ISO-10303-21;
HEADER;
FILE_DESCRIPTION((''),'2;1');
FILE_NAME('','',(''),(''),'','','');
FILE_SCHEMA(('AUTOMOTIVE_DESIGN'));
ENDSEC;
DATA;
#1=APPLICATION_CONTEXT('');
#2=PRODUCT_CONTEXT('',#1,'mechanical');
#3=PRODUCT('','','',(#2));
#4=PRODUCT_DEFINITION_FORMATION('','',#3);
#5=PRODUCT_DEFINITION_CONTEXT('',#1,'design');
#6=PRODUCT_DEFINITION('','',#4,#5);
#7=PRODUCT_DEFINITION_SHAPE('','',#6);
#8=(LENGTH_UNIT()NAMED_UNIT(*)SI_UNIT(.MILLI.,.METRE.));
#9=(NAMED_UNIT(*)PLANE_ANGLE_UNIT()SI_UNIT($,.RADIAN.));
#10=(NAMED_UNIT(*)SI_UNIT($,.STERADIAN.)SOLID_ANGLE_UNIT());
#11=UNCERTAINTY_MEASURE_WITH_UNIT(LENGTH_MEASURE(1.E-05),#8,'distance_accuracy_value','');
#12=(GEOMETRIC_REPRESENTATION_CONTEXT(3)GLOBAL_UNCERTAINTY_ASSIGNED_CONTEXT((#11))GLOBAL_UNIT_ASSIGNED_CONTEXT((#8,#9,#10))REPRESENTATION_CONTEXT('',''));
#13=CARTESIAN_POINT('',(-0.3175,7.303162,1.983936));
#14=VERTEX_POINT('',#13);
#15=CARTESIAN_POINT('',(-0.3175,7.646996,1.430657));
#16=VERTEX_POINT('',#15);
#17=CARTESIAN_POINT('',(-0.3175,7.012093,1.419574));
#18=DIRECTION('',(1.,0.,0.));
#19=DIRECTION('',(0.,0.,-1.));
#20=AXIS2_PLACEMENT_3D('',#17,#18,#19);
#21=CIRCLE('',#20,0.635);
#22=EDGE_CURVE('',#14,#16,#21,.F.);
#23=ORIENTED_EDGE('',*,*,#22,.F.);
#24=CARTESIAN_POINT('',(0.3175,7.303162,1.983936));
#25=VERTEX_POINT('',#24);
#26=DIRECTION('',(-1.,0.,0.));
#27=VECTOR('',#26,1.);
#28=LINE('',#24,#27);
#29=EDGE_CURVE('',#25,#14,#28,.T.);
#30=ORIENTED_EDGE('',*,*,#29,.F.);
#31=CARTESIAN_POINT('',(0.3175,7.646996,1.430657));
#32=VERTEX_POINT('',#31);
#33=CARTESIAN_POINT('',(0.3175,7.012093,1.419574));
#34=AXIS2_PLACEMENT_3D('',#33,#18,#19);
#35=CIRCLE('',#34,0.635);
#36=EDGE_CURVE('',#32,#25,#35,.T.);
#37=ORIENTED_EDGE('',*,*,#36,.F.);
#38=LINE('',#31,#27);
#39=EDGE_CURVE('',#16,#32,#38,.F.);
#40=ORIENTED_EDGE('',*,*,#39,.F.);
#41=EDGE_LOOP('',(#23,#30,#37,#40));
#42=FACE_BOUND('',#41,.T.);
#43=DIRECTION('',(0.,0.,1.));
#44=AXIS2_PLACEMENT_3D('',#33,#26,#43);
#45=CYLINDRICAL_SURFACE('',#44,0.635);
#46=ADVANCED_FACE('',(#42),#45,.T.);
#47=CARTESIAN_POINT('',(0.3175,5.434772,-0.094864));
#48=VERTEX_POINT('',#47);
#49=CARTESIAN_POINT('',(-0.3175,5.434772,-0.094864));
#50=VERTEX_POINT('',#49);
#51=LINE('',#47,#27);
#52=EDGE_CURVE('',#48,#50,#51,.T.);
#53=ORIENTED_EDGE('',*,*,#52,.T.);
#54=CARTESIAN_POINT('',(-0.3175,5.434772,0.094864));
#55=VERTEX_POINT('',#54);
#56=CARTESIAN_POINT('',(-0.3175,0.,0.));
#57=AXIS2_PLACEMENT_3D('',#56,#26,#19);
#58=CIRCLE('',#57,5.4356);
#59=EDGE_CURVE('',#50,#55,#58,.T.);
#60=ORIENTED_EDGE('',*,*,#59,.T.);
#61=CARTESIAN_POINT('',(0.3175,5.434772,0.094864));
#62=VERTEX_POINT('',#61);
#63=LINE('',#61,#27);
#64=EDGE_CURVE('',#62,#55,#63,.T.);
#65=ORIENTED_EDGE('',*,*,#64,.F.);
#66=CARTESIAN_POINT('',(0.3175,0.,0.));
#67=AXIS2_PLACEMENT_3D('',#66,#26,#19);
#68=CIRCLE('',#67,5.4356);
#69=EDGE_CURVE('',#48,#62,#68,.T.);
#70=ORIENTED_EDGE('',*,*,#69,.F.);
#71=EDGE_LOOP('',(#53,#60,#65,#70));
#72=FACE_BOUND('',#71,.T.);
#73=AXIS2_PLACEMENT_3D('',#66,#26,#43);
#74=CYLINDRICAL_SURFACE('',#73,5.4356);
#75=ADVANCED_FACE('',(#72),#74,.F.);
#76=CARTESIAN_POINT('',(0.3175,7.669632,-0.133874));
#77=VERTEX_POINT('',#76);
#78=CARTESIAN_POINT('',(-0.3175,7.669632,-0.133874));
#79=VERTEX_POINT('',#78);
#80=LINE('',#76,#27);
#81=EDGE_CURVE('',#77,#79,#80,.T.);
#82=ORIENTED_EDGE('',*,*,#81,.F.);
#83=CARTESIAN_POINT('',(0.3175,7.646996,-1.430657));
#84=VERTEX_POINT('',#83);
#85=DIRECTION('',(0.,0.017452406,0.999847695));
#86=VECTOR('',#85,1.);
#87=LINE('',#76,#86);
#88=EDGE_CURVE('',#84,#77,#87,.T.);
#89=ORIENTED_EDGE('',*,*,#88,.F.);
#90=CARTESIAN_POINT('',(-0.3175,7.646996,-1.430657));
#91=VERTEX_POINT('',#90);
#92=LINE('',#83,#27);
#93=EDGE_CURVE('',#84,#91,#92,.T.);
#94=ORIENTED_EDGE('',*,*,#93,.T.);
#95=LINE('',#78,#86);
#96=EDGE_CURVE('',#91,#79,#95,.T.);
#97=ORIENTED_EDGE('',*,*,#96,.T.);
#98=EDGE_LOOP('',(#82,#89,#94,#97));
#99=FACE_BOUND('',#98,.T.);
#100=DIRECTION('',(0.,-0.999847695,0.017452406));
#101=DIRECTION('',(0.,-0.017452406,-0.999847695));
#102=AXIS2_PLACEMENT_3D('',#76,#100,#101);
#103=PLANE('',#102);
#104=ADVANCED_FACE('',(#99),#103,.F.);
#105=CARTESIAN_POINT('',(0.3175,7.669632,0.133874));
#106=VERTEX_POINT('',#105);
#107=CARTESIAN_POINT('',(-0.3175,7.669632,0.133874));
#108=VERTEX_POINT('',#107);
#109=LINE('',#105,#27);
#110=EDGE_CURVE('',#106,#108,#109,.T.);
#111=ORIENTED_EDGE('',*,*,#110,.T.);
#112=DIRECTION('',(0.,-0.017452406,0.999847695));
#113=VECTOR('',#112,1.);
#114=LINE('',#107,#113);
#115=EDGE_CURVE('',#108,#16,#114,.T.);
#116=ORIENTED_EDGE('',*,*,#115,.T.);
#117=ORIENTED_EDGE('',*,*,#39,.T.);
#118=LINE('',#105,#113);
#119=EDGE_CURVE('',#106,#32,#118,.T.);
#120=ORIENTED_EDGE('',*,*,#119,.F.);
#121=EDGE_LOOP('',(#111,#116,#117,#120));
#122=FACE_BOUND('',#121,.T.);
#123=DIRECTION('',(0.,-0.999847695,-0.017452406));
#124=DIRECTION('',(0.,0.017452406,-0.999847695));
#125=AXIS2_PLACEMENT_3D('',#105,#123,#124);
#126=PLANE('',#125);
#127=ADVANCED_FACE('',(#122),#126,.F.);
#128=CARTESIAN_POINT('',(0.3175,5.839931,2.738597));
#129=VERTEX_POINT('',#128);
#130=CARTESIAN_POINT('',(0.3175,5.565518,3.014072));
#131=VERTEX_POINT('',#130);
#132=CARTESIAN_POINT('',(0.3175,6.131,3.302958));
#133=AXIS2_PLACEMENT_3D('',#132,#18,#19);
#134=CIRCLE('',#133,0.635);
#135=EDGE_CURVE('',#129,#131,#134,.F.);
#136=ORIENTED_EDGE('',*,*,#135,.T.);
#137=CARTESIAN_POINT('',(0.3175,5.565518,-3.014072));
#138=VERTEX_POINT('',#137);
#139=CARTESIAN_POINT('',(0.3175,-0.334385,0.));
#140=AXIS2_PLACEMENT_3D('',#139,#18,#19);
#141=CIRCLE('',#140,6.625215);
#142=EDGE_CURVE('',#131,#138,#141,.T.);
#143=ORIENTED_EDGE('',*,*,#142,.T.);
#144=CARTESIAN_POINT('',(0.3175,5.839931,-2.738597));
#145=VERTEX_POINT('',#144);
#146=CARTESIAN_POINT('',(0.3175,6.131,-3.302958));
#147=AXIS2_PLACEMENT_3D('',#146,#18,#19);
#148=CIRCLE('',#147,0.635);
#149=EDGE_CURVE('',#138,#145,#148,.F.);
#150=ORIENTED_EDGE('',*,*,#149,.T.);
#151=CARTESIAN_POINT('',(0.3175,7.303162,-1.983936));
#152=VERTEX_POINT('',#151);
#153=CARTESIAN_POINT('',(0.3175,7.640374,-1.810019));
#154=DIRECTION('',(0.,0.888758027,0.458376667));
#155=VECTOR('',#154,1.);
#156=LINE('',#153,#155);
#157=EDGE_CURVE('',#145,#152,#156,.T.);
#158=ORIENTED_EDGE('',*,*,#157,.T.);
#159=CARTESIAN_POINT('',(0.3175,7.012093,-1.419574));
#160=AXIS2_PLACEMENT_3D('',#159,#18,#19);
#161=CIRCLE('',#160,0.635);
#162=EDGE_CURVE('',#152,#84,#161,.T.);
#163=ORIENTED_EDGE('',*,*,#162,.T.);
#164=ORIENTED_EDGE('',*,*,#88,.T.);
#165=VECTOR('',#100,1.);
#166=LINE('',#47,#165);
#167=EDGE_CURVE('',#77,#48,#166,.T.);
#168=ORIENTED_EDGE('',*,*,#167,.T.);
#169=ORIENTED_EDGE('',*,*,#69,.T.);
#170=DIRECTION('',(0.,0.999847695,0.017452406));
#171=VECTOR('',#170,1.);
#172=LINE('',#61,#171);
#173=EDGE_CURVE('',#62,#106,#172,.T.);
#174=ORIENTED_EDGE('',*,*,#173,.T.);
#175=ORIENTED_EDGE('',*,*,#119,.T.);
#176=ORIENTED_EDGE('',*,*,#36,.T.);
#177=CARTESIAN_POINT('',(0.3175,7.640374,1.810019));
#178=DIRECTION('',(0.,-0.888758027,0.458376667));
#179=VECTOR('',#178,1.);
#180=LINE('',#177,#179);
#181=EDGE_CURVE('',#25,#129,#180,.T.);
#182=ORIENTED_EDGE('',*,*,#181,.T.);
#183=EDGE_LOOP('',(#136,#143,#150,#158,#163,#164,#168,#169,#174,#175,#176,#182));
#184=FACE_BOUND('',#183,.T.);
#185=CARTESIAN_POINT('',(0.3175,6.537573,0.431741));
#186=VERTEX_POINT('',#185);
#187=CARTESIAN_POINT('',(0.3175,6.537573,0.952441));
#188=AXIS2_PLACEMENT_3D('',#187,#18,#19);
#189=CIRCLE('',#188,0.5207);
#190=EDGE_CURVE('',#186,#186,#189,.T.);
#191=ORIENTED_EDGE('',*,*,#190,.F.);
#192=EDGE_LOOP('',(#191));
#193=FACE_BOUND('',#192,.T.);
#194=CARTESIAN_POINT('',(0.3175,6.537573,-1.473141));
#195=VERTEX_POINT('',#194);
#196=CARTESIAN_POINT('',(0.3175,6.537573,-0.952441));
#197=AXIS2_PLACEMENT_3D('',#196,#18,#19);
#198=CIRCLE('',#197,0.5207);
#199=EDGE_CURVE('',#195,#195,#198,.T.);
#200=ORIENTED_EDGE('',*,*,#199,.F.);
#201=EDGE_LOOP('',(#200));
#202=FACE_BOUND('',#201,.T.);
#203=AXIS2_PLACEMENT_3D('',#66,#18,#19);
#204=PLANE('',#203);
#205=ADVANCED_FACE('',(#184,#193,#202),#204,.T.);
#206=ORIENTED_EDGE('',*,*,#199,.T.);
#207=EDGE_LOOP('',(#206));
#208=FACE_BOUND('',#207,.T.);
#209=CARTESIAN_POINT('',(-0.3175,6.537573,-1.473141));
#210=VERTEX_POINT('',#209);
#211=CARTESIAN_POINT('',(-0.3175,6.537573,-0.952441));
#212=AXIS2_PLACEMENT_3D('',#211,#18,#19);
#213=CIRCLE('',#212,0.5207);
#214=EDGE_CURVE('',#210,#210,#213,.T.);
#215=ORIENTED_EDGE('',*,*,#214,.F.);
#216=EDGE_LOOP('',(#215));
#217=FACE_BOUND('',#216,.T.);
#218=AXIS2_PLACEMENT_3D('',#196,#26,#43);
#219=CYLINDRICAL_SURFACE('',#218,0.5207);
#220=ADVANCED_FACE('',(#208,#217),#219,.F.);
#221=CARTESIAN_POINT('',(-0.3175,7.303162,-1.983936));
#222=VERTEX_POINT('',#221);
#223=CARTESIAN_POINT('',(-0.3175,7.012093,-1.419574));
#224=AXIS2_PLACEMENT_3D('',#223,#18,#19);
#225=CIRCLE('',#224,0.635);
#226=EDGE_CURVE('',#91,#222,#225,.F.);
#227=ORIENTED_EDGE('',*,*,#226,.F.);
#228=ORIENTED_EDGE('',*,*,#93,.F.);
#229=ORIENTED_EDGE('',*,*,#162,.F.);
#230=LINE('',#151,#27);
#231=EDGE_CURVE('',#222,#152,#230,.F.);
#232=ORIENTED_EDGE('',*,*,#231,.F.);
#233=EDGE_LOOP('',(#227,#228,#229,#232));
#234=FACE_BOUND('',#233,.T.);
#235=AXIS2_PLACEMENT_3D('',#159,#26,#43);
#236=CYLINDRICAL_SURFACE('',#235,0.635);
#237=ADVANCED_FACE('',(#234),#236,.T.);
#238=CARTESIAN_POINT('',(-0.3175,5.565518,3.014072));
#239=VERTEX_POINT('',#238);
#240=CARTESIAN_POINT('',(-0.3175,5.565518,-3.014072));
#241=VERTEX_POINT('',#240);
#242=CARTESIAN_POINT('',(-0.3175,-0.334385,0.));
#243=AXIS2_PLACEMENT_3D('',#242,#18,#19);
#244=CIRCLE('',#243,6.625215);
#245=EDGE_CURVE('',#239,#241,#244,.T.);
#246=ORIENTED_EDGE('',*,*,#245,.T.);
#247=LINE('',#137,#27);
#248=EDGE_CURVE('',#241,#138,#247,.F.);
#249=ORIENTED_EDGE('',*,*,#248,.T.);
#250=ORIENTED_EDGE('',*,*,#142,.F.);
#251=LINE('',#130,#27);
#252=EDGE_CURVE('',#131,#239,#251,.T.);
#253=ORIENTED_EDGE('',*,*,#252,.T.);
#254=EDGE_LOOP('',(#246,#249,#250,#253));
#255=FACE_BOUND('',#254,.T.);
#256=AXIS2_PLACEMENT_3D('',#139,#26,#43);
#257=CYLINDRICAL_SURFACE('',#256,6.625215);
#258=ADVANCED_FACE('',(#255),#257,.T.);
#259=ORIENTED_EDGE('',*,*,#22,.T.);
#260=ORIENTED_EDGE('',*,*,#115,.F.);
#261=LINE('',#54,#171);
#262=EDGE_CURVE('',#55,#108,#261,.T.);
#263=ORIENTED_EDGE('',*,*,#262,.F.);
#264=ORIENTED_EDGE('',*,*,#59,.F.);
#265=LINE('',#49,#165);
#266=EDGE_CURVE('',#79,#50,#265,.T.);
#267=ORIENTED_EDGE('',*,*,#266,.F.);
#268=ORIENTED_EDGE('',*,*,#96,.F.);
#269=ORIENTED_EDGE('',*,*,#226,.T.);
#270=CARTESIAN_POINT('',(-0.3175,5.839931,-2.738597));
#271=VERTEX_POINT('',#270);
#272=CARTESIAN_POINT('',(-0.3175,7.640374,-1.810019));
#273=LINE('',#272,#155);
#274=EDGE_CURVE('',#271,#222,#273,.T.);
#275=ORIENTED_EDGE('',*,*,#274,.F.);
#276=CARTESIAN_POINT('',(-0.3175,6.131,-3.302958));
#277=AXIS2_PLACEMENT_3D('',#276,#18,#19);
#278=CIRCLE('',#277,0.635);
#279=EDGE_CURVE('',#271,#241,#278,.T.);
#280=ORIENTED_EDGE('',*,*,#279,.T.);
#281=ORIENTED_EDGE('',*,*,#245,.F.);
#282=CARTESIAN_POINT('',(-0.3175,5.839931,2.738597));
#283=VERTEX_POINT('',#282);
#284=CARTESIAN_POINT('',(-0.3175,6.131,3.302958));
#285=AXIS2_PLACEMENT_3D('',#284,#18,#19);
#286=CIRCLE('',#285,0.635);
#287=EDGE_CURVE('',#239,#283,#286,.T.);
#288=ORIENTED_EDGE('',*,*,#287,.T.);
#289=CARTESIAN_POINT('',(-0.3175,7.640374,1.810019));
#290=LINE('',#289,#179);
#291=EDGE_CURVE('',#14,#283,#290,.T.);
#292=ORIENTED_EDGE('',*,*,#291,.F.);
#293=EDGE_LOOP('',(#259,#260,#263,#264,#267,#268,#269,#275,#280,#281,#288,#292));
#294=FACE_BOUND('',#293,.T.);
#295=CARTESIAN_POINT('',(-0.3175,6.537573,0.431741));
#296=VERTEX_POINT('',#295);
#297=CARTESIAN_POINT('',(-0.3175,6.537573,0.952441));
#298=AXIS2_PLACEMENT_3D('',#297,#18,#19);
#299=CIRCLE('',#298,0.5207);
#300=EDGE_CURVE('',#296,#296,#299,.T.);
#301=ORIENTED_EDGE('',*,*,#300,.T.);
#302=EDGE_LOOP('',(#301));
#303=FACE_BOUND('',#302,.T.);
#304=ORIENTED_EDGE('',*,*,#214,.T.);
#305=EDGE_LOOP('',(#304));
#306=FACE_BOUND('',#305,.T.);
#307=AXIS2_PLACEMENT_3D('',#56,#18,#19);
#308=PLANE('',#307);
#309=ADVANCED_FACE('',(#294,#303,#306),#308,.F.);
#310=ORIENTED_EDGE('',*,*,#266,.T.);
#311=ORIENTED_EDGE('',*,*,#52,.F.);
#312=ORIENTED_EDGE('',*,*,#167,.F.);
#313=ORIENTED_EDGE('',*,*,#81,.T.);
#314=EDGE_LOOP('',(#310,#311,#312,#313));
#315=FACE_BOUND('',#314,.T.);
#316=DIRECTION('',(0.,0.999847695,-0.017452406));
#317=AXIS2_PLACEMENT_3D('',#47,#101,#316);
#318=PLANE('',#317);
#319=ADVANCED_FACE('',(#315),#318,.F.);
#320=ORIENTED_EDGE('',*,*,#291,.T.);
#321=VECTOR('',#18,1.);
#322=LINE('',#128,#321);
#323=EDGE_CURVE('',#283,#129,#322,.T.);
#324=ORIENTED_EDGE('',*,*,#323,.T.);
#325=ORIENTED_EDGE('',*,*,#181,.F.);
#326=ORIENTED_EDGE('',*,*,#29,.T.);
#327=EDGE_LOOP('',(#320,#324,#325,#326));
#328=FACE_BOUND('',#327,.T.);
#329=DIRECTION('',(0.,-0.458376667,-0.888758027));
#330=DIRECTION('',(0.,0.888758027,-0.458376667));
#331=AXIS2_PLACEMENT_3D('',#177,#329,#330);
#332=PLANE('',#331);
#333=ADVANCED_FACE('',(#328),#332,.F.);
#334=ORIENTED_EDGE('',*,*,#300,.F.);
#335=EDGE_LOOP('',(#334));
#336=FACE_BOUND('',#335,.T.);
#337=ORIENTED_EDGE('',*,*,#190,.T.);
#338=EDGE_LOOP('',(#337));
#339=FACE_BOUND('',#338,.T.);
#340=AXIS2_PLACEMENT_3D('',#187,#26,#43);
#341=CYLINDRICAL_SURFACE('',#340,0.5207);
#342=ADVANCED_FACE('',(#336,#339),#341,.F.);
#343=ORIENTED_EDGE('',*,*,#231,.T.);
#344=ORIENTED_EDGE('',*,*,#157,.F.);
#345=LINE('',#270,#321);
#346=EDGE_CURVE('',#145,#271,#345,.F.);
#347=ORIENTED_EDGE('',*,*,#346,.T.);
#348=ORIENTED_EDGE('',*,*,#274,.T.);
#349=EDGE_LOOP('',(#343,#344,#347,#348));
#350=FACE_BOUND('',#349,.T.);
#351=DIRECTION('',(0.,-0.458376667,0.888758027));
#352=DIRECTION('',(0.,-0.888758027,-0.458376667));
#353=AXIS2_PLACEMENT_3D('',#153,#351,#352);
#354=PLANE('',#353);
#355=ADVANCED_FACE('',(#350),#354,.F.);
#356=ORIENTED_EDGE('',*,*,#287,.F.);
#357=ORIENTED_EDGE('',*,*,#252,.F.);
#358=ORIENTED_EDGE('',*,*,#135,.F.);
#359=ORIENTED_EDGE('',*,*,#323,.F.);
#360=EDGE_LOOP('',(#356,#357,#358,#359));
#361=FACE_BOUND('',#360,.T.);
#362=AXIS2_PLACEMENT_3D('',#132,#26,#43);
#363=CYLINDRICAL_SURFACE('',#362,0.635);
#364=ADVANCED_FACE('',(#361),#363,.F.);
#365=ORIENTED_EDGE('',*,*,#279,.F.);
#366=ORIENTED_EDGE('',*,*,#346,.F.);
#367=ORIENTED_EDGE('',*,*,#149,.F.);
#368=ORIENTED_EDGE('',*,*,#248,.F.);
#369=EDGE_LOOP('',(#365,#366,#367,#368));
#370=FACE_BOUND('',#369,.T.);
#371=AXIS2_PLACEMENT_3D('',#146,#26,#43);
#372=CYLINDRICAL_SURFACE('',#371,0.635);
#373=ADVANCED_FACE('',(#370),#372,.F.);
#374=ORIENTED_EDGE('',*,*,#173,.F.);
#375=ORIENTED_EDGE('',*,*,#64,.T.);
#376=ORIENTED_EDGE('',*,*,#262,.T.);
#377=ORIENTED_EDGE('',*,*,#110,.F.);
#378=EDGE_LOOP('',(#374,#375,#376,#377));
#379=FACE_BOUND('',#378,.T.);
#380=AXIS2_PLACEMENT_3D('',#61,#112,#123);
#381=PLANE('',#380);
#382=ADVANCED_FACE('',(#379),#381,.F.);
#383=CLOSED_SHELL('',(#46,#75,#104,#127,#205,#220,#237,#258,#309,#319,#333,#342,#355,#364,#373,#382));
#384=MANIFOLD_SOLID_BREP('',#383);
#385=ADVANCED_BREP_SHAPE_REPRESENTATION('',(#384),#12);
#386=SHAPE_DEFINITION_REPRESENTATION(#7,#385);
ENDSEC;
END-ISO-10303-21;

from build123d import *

# Parameters (mm, degrees)
SKETCH1_R      = 0.5207
EXTRUDE1_DEPTH = 0.3175
FILLET1_R      = 0.635


with BuildPart() as part:
    # Sketch1 → Extrude1 (new, symmetric)
    with BuildSketch(Plane(origin=(0, 0, 0), x_dir=(0, 0, -1), z_dir=(1, 0, 0))):
        with BuildLine():
            Line((-0.0948643, 5.434772132), (-0.133873919, 7.6696317))
            Line((-0.133873919, 7.6696317), (-1.810018595, 7.640374486))
            Line((-1.810018595, 7.640374486), (-2.834582122, 5.653822543))
            ThreePointArc((-2.834582122, 5.653822543), (0, -6.9596), (2.834582122, 5.653822543))
            Line((2.834582122, 5.653822543), (1.810018595, 7.640374486))
            Line((1.810018595, 7.640374486), (0.133873919, 7.6696317))
            Line((0.133873919, 7.6696317), (0.0948643, 5.434772132))
            ThreePointArc((0.0948643, 5.434772132), (0, -5.4356), (-0.0948643, 5.434772132))
        make_face()
        with Locations((-0.952441448, 6.537573309)):
            Circle(SKETCH1_R, mode=Mode.SUBTRACT)
        with Locations((0.952441448, 6.537573309)):
            Circle(SKETCH1_R, mode=Mode.SUBTRACT)
    extrude(amount=EXTRUDE1_DEPTH, both=True)

    # Fillet1
    fillet1_edges = [part.edges().sort_by_distance(p)[0] for p in [
        (0, 7.640374486, -1.810018595),
        (0, 5.653822543, -2.834582122),
        (0, 5.653822543, 2.834582122),
        (0, 7.640374486, 1.810018595),
    ]]
    fillet(fillet1_edges, radius=FILLET1_R)


solid = part.part
